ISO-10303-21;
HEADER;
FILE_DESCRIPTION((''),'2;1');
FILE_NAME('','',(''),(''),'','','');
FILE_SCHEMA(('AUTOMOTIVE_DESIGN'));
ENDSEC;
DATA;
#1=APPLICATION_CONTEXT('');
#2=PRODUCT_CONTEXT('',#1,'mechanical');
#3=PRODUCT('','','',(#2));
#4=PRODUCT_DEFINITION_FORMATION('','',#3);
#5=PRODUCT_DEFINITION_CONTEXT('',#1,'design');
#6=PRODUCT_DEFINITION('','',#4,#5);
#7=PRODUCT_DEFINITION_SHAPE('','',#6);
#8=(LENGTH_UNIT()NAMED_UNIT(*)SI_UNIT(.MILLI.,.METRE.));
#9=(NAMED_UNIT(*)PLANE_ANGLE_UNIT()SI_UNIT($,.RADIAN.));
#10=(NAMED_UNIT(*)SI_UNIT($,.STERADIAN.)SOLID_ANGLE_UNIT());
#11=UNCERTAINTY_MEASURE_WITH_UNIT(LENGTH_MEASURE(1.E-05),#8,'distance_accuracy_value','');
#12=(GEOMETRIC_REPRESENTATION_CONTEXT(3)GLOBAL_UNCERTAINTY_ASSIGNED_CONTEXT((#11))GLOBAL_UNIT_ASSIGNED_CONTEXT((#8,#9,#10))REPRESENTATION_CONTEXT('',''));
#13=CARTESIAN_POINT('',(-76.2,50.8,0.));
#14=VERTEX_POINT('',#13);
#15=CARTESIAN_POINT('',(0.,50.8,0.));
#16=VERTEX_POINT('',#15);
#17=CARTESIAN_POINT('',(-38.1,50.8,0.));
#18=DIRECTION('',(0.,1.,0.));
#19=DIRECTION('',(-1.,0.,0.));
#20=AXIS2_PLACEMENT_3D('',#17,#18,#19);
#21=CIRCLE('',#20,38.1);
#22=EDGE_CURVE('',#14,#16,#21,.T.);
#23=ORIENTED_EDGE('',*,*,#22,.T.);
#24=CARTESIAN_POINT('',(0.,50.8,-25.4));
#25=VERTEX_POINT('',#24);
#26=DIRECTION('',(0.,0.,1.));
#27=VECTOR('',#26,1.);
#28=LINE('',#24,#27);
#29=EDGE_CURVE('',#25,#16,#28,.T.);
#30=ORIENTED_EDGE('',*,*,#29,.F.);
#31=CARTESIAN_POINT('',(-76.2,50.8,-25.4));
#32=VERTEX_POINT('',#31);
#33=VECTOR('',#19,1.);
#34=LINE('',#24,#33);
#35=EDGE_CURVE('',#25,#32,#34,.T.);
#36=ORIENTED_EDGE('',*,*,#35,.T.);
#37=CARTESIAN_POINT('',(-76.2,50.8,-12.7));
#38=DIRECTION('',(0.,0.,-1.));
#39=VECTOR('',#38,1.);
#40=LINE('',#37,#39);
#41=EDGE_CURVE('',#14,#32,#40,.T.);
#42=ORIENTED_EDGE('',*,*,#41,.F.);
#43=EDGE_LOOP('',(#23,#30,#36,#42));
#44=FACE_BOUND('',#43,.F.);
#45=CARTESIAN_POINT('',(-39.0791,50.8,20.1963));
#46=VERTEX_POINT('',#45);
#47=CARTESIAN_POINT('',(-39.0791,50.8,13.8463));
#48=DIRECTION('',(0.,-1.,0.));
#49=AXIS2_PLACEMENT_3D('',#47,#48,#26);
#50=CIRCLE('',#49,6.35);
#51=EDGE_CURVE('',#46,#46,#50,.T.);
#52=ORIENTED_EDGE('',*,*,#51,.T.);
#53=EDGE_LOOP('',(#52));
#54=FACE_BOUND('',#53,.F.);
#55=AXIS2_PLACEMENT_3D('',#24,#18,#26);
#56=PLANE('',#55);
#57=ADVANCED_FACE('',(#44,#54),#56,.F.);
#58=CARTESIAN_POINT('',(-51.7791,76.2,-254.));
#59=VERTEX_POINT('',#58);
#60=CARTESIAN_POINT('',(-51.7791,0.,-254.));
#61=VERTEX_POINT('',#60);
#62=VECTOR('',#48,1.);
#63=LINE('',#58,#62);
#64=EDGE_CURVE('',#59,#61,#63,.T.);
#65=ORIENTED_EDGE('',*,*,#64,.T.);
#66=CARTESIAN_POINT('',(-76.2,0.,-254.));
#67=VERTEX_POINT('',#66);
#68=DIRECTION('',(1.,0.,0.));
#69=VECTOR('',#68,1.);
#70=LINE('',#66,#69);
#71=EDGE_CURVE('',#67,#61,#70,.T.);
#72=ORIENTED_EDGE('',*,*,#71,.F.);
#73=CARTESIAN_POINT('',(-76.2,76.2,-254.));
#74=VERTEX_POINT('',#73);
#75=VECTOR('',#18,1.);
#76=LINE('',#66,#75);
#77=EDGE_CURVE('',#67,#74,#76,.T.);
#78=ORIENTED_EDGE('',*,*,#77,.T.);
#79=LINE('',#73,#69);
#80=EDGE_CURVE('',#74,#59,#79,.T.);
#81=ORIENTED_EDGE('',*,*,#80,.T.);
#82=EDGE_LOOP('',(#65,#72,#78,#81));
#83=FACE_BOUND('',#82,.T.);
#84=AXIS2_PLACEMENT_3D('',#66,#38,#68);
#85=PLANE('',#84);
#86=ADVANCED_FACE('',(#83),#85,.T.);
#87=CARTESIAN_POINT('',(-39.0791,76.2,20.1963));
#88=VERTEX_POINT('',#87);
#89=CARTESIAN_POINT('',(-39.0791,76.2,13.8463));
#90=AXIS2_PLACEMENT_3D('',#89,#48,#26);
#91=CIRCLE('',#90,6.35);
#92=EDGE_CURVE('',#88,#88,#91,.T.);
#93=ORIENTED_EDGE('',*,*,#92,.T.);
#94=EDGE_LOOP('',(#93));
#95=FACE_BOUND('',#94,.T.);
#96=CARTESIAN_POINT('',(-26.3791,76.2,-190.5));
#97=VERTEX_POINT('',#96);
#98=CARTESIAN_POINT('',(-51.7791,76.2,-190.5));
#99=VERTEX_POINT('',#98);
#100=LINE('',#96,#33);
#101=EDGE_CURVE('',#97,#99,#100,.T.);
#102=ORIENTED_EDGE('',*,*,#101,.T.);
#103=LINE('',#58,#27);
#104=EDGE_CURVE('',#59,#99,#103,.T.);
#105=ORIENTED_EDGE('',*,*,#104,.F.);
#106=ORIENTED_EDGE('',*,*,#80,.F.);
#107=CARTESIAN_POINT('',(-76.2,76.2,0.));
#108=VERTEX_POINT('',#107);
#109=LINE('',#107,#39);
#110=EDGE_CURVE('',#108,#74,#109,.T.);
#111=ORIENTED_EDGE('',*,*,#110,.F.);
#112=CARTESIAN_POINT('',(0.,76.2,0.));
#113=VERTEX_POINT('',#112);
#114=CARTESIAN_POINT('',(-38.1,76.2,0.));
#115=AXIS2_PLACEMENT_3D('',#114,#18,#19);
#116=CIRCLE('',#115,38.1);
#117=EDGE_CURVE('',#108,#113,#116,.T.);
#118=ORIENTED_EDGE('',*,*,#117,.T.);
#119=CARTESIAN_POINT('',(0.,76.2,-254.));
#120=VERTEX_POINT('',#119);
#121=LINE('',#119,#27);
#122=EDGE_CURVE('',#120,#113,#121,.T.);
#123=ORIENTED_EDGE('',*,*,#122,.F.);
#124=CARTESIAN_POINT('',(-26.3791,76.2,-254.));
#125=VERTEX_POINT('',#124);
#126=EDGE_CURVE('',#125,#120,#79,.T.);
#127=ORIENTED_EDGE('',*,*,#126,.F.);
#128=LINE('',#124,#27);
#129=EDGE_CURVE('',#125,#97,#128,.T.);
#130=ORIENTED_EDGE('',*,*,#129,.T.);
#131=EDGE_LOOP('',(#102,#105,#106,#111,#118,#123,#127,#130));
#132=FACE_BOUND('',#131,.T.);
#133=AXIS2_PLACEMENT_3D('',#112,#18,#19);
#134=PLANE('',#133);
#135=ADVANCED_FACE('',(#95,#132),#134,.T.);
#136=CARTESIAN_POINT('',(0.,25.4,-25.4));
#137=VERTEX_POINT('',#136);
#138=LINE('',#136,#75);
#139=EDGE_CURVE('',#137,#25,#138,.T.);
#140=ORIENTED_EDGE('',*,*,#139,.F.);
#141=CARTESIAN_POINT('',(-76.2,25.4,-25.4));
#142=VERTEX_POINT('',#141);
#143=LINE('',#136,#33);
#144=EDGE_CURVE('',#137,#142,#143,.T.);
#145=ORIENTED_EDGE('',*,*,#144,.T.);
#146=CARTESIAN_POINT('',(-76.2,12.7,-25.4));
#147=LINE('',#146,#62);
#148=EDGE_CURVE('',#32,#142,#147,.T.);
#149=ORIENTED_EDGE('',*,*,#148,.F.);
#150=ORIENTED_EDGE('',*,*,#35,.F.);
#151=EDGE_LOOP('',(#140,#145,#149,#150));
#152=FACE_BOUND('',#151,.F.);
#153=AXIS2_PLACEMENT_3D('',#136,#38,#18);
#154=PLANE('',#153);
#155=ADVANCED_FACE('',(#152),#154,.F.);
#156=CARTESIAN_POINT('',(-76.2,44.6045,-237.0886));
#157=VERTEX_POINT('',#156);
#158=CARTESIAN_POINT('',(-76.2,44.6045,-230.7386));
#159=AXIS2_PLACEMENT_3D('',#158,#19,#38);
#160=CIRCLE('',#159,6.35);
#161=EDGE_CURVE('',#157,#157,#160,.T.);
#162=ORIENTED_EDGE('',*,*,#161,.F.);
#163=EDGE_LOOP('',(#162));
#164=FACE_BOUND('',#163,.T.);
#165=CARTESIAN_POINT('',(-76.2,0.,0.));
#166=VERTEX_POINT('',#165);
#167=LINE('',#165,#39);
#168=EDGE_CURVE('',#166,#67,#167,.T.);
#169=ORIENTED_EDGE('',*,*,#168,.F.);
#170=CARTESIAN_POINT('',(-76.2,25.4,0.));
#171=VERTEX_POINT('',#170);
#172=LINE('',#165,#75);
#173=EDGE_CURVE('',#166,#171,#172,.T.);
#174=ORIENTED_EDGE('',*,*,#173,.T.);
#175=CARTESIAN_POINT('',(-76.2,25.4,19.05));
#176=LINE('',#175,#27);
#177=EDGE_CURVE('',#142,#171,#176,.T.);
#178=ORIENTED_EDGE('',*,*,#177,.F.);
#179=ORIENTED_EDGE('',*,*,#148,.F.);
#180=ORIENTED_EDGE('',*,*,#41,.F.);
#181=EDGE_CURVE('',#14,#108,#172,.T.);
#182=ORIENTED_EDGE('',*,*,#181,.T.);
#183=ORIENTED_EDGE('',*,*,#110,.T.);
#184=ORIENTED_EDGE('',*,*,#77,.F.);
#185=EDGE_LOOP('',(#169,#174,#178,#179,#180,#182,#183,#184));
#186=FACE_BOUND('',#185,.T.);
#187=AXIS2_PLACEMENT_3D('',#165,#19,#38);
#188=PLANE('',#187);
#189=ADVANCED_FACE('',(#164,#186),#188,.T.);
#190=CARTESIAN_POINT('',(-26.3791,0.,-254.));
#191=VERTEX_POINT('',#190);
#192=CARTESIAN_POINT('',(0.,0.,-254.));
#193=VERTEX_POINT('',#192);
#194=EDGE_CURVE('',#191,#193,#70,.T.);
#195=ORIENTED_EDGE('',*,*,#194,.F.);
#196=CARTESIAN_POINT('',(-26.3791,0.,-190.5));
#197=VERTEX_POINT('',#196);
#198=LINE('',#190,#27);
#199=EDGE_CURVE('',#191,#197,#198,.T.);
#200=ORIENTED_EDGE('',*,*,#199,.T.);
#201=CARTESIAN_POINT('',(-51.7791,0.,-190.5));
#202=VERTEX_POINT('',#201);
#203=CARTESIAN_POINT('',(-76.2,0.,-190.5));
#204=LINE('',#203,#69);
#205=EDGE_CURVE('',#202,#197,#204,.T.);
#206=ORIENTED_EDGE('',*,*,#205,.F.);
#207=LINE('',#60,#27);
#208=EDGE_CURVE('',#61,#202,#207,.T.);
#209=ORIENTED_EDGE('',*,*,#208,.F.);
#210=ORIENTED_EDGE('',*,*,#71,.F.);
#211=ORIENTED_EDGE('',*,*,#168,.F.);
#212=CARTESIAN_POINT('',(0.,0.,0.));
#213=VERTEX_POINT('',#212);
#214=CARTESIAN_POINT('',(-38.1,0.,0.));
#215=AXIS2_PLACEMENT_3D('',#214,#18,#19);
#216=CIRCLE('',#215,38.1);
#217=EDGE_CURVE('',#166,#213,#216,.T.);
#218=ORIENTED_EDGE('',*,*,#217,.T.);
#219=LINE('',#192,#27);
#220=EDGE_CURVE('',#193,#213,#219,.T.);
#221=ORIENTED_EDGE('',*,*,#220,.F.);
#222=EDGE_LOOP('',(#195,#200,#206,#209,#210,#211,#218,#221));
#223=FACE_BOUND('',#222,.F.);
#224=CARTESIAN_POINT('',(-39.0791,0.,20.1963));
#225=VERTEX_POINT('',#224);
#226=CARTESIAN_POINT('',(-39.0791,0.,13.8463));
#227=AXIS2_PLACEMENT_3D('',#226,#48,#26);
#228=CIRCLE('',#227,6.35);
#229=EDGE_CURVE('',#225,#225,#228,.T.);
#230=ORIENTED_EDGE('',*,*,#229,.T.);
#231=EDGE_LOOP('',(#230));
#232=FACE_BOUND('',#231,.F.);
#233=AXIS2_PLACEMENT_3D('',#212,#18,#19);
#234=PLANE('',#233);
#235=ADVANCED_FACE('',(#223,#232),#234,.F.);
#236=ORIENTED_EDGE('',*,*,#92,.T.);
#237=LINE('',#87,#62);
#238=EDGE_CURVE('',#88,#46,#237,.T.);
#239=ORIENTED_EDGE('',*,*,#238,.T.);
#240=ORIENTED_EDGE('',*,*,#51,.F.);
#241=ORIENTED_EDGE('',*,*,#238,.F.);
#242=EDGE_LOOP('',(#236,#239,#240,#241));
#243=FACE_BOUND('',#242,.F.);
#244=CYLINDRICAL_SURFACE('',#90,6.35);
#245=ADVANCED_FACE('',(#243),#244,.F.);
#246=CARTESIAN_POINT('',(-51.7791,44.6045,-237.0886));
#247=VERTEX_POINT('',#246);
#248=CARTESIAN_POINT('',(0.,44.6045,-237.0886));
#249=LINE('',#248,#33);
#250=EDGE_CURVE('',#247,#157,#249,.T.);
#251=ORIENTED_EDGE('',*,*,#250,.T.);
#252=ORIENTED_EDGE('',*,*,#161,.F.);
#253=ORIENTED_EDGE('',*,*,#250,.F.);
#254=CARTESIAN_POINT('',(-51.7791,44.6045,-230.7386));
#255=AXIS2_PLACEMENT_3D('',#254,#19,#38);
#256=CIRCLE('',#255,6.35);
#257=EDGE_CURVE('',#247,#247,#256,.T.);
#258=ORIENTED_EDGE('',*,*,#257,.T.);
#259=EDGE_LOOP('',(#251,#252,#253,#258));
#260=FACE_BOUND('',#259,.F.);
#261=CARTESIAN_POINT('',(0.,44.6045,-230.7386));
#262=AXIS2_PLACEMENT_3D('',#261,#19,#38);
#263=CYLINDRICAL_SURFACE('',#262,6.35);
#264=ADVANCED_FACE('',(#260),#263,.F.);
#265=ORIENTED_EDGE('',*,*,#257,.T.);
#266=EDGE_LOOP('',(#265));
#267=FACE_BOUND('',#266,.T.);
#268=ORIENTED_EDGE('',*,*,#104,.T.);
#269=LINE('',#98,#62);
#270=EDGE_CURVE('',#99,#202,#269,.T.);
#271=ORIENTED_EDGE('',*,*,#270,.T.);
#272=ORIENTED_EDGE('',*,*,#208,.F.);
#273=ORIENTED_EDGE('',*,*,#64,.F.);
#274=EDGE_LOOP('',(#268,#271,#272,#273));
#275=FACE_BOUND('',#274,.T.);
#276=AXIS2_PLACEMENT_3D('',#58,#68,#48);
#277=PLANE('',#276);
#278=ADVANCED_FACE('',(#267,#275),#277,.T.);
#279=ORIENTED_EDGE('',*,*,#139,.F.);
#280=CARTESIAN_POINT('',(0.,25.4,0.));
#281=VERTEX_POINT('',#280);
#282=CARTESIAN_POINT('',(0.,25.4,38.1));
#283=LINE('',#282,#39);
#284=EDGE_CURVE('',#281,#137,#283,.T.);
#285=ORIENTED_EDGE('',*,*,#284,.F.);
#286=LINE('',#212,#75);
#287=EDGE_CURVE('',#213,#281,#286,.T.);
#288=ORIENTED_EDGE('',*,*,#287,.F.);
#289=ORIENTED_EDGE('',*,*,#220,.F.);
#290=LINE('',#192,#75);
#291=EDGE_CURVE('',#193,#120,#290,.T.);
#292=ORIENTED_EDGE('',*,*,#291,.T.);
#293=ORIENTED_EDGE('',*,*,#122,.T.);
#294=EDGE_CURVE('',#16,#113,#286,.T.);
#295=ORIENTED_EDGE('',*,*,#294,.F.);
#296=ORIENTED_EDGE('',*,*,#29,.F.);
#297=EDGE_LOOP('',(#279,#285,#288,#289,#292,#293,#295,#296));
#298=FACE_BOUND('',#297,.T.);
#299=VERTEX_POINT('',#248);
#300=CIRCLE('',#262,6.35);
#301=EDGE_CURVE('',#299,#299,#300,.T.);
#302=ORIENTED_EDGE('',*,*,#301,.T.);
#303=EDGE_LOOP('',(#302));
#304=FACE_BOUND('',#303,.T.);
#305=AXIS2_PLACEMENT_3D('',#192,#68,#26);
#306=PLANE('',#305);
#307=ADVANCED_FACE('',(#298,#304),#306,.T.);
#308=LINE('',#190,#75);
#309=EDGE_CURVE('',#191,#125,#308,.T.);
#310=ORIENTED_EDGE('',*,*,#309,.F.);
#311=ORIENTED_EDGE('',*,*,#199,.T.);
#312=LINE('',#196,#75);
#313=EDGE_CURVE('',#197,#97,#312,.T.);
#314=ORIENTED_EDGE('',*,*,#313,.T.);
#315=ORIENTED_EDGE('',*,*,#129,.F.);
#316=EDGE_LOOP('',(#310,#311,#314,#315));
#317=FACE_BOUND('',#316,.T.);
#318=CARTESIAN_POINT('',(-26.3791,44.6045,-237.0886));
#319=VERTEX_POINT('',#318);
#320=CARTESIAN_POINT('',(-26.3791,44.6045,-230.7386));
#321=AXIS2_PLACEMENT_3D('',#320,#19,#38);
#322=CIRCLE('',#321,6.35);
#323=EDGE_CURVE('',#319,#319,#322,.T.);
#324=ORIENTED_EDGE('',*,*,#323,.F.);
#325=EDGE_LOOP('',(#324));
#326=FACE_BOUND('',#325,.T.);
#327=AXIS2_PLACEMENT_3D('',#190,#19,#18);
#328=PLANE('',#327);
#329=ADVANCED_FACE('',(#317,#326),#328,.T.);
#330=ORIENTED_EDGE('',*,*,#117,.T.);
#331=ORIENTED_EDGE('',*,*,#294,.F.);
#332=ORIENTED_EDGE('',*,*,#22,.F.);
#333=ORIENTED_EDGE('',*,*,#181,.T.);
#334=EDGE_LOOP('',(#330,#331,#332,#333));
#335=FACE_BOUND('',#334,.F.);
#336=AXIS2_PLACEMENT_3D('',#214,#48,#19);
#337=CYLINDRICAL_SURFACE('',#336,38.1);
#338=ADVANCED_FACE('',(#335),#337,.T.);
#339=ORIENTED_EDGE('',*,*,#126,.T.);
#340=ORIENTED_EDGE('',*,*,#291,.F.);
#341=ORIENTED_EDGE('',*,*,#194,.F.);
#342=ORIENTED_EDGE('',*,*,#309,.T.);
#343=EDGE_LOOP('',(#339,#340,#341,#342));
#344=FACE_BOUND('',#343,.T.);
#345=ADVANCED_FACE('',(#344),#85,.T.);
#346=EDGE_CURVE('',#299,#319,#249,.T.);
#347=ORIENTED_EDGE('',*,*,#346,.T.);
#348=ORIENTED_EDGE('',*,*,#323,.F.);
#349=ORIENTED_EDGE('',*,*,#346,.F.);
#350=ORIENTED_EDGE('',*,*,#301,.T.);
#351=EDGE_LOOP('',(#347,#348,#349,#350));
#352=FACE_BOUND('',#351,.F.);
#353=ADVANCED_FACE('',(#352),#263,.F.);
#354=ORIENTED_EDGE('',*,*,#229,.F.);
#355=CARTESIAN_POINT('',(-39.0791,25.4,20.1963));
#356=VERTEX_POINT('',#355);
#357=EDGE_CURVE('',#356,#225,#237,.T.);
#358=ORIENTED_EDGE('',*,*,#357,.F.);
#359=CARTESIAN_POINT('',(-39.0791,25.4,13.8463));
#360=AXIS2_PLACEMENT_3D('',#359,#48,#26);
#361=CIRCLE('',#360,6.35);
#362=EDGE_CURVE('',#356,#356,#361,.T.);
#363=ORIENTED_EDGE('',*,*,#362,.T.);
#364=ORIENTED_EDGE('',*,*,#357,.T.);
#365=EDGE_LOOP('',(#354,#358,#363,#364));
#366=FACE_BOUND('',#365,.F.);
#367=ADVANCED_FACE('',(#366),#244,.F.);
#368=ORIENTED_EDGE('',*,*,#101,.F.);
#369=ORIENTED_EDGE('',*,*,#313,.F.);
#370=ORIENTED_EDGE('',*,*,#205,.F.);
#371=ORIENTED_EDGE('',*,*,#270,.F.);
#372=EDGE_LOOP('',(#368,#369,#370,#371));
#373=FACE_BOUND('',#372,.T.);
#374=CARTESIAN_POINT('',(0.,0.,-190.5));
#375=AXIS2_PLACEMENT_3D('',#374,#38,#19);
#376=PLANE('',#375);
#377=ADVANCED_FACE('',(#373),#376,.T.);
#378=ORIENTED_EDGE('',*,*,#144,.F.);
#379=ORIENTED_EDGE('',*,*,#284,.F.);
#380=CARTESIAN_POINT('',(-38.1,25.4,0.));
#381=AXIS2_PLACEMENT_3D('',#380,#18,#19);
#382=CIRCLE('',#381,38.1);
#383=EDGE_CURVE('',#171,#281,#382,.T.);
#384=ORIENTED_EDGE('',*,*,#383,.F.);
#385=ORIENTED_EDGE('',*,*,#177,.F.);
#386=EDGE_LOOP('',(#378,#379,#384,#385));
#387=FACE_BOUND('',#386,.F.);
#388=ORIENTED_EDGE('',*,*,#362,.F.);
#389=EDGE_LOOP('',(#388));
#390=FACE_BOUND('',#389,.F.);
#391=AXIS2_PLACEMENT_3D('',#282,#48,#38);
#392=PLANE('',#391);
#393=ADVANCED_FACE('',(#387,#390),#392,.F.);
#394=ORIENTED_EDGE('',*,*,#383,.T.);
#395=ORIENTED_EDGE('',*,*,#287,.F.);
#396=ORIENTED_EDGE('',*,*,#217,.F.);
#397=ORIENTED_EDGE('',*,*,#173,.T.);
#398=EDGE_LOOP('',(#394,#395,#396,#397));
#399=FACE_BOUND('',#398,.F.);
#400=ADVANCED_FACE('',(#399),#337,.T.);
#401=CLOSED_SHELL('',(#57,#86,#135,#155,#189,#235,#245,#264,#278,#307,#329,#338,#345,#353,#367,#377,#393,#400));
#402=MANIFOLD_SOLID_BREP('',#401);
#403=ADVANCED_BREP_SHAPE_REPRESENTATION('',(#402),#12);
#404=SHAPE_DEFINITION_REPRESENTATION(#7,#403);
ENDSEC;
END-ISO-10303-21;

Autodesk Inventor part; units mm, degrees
ref_plane "YZ Plane" through (0, 0, 0) normal (1, 0, 0) x (0, 1, 0)
ref_plane "XZ Plane" through (0, 0, 0) normal (0, 1, 0) x (-1, 0, 0)
ref_plane "XY Plane" through (0, 0, 0) normal (0, 0, 1) x (1, 0, 0)
sketch "Sketch1" plane through (0, 0, 0) normal (0, 1, 0) x (-1, 0, 0)
  line L0 (76.2, 0) -> (76.2, -254)
  line L1 (76.2, -254) -> (0, -254)
  line L2 (0, -254) -> (0, 0)
  arc A0 (76.2, 0) -> (0, 0) centre (38.1, 0) ccw
extrude "Extrusion1" add sketch "Sketch1" along normal blind 76.2
sketch "Sketch2" plane through (0, 0, 0) normal (1, 0, 0) x (0, 0, -1)
  line L0 (-38.1, 25.4) -> (25.4, 25.4)
  line L1 (25.4, 25.4) -> (25.4, 50.8)
  line L2 (25.4, 50.8) -> (-38.1, 50.8)
  line L3 (-38.1, 0) -> (-38.1, 76.2) projected
  line L4 (-38.1, 38.1) -> (25.4, 50.8) construction
  line L5 (25.4, 25.4) -> (-38.1, 38.1) construction
  line L6 (-38.1, 50.8) -> (-38.1, 25.4)
  point P0 (0, 0)
extrude "Extrusion2" cut sketch "Sketch2" against normal blind 111.125
sketch "Sketch3" plane through (0, 76.2, 0) normal (0, 1, 0) x (1, 0, 0)
  point P0 (0, 0)
  point P1 (-39.0791, -13.8463)
hole "Hole1" at (-39.0791, 76.2, 13.8463) direction (0, -1, 0) diameter 12.7 depth 98.425 tip angle 118
sketch "Sketch5" plane through (0, 0, -254) normal (0, 0, -1) x (-1, 0, 0)
  line L0 (76.2, 0) -> (0, 0) projected
  line L1 (51.7791, 76.2) -> (51.7791, 0)
  line L2 (51.7791, 0) -> (26.3791, 0)
  line L3 (26.3791, 0) -> (26.3791, 76.2)
  line L4 (32.7291, 76.2) -> (45.4291, 76.2) projected
  line L5 (76.2, 76.2) -> (0, 76.2) projected
  line L6 (51.7791, 76.2) -> (24.7587, 76.2)
  point P0 (39.0791, 76.2)
extrude "Extrusion3" cut sketch "Sketch5" against normal blind 63.5
sketch "Sketch6" plane through (0, 0, 0) normal (1, 0, 0) x (0, 0, -1)
  point P0 (0, 0)
  point P1 (230.7386, 44.6045)
hole "Hole2" at (0, 44.6045, -230.7386) direction (-1, 0, 0) diameter 12.7 depth 98.425 tip angle 118
properties part number "SecondChain"
